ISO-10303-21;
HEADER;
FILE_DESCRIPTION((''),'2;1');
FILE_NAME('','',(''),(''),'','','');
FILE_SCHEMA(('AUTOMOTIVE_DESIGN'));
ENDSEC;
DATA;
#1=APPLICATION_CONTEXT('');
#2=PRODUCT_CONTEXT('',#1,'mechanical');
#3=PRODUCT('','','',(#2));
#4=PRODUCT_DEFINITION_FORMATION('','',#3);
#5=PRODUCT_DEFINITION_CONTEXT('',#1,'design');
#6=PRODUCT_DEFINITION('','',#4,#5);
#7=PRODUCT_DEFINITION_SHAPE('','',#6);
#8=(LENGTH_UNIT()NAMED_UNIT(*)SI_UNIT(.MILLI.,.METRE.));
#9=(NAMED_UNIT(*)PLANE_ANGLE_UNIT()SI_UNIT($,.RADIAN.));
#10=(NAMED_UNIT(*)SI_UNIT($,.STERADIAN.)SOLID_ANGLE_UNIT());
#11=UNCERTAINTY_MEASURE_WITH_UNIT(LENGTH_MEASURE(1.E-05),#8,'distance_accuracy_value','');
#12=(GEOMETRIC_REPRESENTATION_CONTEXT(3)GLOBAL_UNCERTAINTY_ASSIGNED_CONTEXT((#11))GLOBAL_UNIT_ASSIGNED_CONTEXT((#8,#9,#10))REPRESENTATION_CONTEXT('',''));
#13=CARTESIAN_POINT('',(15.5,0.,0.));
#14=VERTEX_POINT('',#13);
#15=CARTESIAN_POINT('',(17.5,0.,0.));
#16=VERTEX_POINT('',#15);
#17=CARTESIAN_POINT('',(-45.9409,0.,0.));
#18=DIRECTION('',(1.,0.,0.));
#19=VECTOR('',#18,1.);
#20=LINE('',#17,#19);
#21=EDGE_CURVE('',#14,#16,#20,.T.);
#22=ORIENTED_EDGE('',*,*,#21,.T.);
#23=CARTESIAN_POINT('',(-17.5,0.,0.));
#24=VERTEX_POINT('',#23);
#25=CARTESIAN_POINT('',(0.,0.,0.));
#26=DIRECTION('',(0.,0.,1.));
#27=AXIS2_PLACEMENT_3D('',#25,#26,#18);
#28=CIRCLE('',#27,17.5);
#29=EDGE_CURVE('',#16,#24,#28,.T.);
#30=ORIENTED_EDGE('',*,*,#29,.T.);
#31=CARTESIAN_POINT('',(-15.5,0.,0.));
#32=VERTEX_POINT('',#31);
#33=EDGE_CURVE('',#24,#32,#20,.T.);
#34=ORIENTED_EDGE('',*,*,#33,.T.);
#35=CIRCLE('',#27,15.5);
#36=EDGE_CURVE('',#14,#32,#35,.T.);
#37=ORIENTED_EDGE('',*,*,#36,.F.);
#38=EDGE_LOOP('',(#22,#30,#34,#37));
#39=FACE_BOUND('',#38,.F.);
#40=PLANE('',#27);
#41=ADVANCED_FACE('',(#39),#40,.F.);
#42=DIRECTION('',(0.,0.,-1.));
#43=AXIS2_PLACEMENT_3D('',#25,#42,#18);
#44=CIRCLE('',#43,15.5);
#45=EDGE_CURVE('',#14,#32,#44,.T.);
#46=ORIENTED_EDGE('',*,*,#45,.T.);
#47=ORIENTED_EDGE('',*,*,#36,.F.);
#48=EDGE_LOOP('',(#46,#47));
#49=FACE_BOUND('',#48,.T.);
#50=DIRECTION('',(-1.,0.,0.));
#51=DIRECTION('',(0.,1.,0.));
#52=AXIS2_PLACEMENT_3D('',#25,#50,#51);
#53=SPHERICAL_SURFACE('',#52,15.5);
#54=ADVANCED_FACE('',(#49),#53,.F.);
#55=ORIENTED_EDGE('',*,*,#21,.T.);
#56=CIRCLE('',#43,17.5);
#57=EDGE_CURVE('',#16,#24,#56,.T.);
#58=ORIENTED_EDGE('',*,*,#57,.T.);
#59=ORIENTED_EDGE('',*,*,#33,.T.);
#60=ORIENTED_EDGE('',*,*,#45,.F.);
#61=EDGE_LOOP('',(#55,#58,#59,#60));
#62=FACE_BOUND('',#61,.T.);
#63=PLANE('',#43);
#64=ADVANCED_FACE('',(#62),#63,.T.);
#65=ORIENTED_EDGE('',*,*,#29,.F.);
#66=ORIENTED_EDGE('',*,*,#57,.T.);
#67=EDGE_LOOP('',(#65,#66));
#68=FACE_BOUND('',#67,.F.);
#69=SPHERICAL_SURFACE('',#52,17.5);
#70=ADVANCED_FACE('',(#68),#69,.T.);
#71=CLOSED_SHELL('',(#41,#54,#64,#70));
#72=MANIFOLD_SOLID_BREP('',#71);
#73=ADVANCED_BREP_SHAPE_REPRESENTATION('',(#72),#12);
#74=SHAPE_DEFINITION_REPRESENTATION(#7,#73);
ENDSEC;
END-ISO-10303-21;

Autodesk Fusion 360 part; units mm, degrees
sketch "Sketch1" plane through (0, 0, 0) normal (0, 0, 1) x (1, 0, 0)
  circle A0 centre (0, 0) radius 17.5
  line L0 (-45.9409, 0) -> (53.3167, 0)
  dimension "d1" = 35
revolve "Revolve1" add sketch "Sketch1" angle 180 about axis through (-45.9409, 0, 0) along (1, 0, 0) contours A0 L0 picked at (-3.4943, 10.2478)
shell "Shell1" thickness 2 removed faces 2 at (-3.4943, 10.2478, 0) at (-3.4943, -10.2478, 0)
